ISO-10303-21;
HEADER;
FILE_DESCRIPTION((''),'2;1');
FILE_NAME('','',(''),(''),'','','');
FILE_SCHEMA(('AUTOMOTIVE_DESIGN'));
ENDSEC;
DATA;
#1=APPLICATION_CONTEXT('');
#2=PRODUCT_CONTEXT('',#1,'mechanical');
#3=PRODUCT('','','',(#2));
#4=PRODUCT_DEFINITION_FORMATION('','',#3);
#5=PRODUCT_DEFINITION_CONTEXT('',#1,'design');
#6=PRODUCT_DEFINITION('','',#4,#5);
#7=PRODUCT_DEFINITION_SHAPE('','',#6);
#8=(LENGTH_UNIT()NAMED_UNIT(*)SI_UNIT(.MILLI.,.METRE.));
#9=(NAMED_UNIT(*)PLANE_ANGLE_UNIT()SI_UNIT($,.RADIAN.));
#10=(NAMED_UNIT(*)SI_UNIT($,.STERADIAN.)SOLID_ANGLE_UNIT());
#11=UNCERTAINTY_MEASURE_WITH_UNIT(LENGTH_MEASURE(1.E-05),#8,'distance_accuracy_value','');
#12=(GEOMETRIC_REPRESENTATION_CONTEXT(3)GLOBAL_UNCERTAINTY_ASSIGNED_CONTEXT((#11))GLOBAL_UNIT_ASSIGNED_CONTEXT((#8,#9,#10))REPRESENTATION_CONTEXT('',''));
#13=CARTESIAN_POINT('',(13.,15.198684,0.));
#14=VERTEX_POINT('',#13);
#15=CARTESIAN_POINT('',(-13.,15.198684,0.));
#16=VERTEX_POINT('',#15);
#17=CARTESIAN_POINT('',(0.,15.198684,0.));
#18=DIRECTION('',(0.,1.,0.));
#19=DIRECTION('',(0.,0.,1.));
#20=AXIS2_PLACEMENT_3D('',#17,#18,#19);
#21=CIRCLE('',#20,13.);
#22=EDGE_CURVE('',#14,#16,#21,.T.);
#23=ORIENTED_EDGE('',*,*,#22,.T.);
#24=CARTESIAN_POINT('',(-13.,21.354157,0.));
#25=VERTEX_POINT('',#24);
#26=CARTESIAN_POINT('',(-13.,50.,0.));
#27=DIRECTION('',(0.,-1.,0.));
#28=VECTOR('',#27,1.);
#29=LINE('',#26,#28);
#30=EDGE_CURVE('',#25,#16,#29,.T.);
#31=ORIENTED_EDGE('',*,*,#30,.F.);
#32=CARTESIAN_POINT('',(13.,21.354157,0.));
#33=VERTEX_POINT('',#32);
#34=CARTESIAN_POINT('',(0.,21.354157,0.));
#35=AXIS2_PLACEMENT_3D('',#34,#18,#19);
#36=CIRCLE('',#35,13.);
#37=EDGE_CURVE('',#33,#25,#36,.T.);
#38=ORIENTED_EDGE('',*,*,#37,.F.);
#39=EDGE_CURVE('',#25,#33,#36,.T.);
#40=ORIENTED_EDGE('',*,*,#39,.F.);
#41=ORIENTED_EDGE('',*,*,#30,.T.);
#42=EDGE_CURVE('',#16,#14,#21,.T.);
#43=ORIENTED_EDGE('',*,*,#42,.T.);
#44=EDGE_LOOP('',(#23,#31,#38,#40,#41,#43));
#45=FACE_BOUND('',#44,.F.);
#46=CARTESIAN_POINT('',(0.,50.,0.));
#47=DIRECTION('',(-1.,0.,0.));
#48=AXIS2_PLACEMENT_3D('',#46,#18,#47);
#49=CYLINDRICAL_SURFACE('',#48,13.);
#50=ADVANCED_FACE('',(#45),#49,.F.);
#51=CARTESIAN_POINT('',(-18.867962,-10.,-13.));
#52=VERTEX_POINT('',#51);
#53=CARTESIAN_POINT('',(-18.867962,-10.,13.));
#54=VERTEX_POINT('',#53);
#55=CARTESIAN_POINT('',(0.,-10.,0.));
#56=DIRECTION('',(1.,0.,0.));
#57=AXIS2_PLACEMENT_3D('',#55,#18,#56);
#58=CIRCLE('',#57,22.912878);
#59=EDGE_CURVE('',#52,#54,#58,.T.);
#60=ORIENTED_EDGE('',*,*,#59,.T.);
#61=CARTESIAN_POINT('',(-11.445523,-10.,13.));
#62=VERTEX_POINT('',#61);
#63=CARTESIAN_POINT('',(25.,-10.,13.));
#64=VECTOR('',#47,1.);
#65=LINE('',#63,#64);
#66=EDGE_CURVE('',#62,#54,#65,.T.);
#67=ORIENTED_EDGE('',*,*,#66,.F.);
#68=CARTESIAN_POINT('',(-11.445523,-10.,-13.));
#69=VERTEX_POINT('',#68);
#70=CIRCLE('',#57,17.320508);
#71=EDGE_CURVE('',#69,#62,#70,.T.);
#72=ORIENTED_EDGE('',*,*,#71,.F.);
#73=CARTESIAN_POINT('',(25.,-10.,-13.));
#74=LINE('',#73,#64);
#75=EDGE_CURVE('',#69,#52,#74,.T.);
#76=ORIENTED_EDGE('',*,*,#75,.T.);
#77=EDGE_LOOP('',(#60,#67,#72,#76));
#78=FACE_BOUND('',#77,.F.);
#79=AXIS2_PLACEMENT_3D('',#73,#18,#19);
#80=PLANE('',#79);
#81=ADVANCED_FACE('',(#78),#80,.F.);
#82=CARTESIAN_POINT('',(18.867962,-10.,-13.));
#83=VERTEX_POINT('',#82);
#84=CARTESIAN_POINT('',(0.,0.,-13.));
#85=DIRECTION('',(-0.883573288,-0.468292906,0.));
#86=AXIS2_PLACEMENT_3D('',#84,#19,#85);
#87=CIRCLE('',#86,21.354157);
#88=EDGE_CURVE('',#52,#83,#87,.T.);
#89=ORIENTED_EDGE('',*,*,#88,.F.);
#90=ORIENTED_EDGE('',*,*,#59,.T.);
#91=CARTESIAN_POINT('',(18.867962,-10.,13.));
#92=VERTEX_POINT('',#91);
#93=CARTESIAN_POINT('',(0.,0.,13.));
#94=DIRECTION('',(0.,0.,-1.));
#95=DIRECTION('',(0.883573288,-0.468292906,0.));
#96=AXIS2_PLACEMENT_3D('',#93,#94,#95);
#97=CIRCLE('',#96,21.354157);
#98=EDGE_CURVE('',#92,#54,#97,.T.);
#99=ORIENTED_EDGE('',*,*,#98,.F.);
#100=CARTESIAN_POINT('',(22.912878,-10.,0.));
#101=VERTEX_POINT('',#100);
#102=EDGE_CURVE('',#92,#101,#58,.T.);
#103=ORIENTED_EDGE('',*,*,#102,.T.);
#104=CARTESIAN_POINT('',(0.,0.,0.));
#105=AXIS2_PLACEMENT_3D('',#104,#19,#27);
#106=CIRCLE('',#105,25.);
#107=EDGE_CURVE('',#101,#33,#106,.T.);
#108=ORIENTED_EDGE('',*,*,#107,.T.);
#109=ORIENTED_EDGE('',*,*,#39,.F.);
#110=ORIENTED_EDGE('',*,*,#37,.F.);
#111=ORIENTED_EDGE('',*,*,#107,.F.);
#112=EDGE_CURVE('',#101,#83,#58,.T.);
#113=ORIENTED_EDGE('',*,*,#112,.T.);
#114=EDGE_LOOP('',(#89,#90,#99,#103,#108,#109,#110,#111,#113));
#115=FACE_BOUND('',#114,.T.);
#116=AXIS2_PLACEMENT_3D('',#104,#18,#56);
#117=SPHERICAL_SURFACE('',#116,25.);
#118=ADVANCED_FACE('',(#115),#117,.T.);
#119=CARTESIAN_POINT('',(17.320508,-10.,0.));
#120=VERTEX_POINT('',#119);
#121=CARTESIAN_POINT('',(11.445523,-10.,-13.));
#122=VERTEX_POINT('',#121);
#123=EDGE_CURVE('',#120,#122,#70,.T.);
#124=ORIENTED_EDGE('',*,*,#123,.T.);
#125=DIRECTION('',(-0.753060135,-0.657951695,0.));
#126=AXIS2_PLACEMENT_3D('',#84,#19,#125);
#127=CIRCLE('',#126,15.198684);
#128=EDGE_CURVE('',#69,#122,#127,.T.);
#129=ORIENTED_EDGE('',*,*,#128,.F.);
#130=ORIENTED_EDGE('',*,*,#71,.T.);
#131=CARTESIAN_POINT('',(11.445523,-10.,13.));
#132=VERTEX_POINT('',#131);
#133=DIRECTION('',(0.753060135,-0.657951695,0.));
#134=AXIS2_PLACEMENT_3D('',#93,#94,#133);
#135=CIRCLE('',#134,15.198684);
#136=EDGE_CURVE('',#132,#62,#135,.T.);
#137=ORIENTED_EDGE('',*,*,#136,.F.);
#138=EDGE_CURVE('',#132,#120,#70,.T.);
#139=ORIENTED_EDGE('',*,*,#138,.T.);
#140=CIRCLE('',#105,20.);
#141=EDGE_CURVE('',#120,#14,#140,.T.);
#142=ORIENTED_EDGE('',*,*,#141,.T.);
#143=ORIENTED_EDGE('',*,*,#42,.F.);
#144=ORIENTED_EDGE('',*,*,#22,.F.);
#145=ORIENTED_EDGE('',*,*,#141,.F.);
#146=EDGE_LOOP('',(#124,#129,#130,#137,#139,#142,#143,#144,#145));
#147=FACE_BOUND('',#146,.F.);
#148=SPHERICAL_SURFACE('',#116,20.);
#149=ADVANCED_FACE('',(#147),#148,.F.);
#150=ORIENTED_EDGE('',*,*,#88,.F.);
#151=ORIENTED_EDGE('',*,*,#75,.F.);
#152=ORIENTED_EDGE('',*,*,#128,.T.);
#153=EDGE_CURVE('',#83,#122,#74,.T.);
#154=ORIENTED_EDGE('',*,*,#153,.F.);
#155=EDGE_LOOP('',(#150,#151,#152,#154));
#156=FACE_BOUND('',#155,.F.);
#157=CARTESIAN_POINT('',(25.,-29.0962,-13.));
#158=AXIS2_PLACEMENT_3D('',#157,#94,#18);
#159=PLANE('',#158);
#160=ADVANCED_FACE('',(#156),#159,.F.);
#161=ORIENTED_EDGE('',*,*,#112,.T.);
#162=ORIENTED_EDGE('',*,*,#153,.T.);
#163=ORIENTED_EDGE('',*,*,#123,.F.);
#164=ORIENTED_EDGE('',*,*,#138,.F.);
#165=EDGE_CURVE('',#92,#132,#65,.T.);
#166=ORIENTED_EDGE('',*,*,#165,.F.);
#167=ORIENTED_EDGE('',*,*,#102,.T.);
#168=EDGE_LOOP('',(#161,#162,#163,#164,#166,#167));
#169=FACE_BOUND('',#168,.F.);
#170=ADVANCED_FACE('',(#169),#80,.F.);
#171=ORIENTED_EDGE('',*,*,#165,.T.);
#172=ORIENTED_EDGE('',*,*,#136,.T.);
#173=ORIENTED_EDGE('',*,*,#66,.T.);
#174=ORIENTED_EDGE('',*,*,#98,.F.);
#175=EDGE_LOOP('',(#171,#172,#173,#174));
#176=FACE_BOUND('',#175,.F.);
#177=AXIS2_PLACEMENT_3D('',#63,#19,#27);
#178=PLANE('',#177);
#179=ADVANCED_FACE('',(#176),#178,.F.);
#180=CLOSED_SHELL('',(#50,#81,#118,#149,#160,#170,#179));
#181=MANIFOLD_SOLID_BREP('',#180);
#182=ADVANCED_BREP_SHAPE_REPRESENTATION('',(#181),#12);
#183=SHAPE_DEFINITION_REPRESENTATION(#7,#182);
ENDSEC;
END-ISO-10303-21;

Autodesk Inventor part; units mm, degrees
ref_plane "XY Plane" through (0, 0, 0) normal (0, 0, 1) x (1, 0, 0)
sketch "Эскиз1" plane through (0, 0, 0) normal (0, 0, 1) x (1, 0, 0)
  arc A0 (0, -25) -> (0, 25) centre (0, 0) ccw
  arc A1 (0, -20) -> (0, 20) centre (0, 0) ccw
  line L0 (0, 25) -> (0, 20)
  line L1 (0, -25) -> (0, -20)
revolve "Вращение1" add sketch "Эскиз1" angle 360 about axis through (0, -25, 0) along (0, 1, 0)
ref_plane "РабПлоскость1" through (0, 50, 0) normal (0, 1, 0) x (-1, 0, 0)
sketch "Эскиз2" plane through (0, 50, 0) normal (0, 1, 0) x (-1, 0, 0)
  circle A0 centre (0, 0) radius 13
  dimension "d4" = 26
extrude "Выдавливание1" cut sketch "Эскиз2" against normal blind 100
ref_plane "РабПлоскость2" through (25, 0, 0) normal (1, 0, 0) x (0, 1, 0)
sketch "Эскиз3" plane through (25, 0, 0) normal (1, 0, 0) x (0, 1, 0)
  line L0 (-10, 13) -> (-29.0962, 13)
  line L1 (-29.0962, 13) -> (-29.0962, -13)
  line L2 (-29.0962, -13) -> (-10, -13)
  line L3 (-10, -13) -> (-10, 13)
  point P0 (0, 0)
extrude "Выдавливание2" cut sketch "Эскиз3" against normal blind 100
properties part number "шар"
